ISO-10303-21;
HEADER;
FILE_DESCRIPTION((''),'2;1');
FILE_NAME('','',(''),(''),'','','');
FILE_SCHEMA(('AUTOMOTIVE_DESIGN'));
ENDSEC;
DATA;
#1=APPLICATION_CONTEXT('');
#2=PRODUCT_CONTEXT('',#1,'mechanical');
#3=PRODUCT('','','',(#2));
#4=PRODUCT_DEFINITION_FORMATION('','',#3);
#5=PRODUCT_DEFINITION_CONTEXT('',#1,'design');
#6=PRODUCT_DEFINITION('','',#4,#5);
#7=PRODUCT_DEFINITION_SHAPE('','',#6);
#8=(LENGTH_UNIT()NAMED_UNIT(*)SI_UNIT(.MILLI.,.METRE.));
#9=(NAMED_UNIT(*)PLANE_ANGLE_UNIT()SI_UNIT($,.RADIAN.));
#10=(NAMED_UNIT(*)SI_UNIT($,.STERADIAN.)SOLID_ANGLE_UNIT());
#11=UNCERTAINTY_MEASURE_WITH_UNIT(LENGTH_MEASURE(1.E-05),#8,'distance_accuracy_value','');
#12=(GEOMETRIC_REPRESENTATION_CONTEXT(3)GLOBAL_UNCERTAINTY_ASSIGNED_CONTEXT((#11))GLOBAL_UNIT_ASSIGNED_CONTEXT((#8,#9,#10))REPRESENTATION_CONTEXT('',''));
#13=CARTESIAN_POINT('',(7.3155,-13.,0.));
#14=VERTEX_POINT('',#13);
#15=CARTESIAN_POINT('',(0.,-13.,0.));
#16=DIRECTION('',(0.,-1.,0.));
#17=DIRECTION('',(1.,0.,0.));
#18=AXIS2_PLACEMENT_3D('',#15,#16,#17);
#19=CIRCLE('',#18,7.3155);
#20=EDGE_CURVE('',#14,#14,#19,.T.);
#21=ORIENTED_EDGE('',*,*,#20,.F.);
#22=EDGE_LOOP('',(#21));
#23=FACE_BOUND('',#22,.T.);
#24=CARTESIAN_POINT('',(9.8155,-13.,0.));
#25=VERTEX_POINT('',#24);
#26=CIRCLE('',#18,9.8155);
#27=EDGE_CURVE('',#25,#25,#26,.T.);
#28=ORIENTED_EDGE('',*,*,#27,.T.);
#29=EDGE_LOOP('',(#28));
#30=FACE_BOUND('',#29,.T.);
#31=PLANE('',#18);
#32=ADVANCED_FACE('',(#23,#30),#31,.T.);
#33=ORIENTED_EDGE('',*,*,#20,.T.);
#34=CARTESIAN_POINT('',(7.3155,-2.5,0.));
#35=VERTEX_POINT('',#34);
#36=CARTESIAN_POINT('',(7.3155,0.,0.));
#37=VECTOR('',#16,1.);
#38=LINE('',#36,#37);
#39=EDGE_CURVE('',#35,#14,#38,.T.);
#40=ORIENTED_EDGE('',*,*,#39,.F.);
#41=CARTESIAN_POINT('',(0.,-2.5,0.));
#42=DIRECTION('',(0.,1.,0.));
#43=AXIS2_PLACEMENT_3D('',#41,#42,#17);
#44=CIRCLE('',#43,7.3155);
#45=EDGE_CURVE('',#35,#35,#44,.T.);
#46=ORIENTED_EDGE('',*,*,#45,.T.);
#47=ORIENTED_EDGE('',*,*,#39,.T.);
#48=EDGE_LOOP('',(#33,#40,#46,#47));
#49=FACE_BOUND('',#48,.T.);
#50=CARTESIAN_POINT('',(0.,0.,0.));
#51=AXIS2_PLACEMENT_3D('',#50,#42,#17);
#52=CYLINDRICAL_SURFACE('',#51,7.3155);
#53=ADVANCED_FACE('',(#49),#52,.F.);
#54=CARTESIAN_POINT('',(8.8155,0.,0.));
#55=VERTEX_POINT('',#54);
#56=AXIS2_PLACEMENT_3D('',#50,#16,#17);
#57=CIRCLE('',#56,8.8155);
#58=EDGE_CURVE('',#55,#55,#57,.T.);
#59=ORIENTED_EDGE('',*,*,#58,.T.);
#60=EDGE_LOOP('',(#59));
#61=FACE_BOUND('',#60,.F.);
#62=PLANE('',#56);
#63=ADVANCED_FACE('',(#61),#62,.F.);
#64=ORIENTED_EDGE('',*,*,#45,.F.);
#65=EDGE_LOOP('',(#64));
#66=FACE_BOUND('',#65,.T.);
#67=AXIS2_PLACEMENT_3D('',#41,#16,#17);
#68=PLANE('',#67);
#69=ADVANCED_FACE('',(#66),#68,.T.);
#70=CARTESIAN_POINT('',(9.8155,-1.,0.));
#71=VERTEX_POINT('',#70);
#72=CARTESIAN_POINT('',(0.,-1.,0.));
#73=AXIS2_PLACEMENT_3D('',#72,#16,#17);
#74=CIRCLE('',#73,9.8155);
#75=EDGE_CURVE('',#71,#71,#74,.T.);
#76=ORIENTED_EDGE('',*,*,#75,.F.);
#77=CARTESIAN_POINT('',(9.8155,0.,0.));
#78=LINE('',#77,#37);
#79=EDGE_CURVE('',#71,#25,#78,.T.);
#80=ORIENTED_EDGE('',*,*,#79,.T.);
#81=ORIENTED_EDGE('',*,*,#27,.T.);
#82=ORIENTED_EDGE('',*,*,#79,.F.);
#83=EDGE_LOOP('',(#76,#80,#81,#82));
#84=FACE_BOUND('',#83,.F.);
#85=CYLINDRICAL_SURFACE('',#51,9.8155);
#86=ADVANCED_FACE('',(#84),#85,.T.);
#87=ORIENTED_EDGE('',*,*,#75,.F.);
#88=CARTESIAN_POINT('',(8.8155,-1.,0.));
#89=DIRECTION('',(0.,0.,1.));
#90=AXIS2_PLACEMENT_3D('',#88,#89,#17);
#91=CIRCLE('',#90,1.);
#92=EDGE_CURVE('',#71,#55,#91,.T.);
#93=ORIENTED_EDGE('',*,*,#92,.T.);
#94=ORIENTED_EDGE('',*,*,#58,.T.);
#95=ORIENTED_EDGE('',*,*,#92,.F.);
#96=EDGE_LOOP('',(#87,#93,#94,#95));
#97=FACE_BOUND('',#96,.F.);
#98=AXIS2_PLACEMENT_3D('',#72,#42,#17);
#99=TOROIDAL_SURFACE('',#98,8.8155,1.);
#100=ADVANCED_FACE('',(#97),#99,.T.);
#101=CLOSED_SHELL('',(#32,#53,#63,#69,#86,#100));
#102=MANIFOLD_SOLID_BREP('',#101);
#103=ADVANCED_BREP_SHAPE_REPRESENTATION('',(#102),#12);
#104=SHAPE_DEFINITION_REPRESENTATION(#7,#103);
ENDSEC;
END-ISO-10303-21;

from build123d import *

# Parameters (mm, degrees)
F0_R     = 9.8155
F1_DEPTH = 13
F2_R     = 1
F3_T     = -2.5


with BuildPart() as f1:
    # F0 (on Front) → F1 (new body)
    with BuildSketch(Plane.XZ):
        Circle(F0_R)
    extrude(amount=F1_DEPTH)

    # F2
    f2_edges = [f1.edges().sort_by_distance(p)[0] for p in [
        (-9.8155, 0, 0),
    ]]
    fillet(f2_edges, radius=F2_R)

    # F3
    f3_openings = [f1.faces().sort_by_distance(p)[0] for p in [
        (0, -13, 0),
    ]]
    offset(amount=F3_T, openings=f3_openings)


solid = f1.part
